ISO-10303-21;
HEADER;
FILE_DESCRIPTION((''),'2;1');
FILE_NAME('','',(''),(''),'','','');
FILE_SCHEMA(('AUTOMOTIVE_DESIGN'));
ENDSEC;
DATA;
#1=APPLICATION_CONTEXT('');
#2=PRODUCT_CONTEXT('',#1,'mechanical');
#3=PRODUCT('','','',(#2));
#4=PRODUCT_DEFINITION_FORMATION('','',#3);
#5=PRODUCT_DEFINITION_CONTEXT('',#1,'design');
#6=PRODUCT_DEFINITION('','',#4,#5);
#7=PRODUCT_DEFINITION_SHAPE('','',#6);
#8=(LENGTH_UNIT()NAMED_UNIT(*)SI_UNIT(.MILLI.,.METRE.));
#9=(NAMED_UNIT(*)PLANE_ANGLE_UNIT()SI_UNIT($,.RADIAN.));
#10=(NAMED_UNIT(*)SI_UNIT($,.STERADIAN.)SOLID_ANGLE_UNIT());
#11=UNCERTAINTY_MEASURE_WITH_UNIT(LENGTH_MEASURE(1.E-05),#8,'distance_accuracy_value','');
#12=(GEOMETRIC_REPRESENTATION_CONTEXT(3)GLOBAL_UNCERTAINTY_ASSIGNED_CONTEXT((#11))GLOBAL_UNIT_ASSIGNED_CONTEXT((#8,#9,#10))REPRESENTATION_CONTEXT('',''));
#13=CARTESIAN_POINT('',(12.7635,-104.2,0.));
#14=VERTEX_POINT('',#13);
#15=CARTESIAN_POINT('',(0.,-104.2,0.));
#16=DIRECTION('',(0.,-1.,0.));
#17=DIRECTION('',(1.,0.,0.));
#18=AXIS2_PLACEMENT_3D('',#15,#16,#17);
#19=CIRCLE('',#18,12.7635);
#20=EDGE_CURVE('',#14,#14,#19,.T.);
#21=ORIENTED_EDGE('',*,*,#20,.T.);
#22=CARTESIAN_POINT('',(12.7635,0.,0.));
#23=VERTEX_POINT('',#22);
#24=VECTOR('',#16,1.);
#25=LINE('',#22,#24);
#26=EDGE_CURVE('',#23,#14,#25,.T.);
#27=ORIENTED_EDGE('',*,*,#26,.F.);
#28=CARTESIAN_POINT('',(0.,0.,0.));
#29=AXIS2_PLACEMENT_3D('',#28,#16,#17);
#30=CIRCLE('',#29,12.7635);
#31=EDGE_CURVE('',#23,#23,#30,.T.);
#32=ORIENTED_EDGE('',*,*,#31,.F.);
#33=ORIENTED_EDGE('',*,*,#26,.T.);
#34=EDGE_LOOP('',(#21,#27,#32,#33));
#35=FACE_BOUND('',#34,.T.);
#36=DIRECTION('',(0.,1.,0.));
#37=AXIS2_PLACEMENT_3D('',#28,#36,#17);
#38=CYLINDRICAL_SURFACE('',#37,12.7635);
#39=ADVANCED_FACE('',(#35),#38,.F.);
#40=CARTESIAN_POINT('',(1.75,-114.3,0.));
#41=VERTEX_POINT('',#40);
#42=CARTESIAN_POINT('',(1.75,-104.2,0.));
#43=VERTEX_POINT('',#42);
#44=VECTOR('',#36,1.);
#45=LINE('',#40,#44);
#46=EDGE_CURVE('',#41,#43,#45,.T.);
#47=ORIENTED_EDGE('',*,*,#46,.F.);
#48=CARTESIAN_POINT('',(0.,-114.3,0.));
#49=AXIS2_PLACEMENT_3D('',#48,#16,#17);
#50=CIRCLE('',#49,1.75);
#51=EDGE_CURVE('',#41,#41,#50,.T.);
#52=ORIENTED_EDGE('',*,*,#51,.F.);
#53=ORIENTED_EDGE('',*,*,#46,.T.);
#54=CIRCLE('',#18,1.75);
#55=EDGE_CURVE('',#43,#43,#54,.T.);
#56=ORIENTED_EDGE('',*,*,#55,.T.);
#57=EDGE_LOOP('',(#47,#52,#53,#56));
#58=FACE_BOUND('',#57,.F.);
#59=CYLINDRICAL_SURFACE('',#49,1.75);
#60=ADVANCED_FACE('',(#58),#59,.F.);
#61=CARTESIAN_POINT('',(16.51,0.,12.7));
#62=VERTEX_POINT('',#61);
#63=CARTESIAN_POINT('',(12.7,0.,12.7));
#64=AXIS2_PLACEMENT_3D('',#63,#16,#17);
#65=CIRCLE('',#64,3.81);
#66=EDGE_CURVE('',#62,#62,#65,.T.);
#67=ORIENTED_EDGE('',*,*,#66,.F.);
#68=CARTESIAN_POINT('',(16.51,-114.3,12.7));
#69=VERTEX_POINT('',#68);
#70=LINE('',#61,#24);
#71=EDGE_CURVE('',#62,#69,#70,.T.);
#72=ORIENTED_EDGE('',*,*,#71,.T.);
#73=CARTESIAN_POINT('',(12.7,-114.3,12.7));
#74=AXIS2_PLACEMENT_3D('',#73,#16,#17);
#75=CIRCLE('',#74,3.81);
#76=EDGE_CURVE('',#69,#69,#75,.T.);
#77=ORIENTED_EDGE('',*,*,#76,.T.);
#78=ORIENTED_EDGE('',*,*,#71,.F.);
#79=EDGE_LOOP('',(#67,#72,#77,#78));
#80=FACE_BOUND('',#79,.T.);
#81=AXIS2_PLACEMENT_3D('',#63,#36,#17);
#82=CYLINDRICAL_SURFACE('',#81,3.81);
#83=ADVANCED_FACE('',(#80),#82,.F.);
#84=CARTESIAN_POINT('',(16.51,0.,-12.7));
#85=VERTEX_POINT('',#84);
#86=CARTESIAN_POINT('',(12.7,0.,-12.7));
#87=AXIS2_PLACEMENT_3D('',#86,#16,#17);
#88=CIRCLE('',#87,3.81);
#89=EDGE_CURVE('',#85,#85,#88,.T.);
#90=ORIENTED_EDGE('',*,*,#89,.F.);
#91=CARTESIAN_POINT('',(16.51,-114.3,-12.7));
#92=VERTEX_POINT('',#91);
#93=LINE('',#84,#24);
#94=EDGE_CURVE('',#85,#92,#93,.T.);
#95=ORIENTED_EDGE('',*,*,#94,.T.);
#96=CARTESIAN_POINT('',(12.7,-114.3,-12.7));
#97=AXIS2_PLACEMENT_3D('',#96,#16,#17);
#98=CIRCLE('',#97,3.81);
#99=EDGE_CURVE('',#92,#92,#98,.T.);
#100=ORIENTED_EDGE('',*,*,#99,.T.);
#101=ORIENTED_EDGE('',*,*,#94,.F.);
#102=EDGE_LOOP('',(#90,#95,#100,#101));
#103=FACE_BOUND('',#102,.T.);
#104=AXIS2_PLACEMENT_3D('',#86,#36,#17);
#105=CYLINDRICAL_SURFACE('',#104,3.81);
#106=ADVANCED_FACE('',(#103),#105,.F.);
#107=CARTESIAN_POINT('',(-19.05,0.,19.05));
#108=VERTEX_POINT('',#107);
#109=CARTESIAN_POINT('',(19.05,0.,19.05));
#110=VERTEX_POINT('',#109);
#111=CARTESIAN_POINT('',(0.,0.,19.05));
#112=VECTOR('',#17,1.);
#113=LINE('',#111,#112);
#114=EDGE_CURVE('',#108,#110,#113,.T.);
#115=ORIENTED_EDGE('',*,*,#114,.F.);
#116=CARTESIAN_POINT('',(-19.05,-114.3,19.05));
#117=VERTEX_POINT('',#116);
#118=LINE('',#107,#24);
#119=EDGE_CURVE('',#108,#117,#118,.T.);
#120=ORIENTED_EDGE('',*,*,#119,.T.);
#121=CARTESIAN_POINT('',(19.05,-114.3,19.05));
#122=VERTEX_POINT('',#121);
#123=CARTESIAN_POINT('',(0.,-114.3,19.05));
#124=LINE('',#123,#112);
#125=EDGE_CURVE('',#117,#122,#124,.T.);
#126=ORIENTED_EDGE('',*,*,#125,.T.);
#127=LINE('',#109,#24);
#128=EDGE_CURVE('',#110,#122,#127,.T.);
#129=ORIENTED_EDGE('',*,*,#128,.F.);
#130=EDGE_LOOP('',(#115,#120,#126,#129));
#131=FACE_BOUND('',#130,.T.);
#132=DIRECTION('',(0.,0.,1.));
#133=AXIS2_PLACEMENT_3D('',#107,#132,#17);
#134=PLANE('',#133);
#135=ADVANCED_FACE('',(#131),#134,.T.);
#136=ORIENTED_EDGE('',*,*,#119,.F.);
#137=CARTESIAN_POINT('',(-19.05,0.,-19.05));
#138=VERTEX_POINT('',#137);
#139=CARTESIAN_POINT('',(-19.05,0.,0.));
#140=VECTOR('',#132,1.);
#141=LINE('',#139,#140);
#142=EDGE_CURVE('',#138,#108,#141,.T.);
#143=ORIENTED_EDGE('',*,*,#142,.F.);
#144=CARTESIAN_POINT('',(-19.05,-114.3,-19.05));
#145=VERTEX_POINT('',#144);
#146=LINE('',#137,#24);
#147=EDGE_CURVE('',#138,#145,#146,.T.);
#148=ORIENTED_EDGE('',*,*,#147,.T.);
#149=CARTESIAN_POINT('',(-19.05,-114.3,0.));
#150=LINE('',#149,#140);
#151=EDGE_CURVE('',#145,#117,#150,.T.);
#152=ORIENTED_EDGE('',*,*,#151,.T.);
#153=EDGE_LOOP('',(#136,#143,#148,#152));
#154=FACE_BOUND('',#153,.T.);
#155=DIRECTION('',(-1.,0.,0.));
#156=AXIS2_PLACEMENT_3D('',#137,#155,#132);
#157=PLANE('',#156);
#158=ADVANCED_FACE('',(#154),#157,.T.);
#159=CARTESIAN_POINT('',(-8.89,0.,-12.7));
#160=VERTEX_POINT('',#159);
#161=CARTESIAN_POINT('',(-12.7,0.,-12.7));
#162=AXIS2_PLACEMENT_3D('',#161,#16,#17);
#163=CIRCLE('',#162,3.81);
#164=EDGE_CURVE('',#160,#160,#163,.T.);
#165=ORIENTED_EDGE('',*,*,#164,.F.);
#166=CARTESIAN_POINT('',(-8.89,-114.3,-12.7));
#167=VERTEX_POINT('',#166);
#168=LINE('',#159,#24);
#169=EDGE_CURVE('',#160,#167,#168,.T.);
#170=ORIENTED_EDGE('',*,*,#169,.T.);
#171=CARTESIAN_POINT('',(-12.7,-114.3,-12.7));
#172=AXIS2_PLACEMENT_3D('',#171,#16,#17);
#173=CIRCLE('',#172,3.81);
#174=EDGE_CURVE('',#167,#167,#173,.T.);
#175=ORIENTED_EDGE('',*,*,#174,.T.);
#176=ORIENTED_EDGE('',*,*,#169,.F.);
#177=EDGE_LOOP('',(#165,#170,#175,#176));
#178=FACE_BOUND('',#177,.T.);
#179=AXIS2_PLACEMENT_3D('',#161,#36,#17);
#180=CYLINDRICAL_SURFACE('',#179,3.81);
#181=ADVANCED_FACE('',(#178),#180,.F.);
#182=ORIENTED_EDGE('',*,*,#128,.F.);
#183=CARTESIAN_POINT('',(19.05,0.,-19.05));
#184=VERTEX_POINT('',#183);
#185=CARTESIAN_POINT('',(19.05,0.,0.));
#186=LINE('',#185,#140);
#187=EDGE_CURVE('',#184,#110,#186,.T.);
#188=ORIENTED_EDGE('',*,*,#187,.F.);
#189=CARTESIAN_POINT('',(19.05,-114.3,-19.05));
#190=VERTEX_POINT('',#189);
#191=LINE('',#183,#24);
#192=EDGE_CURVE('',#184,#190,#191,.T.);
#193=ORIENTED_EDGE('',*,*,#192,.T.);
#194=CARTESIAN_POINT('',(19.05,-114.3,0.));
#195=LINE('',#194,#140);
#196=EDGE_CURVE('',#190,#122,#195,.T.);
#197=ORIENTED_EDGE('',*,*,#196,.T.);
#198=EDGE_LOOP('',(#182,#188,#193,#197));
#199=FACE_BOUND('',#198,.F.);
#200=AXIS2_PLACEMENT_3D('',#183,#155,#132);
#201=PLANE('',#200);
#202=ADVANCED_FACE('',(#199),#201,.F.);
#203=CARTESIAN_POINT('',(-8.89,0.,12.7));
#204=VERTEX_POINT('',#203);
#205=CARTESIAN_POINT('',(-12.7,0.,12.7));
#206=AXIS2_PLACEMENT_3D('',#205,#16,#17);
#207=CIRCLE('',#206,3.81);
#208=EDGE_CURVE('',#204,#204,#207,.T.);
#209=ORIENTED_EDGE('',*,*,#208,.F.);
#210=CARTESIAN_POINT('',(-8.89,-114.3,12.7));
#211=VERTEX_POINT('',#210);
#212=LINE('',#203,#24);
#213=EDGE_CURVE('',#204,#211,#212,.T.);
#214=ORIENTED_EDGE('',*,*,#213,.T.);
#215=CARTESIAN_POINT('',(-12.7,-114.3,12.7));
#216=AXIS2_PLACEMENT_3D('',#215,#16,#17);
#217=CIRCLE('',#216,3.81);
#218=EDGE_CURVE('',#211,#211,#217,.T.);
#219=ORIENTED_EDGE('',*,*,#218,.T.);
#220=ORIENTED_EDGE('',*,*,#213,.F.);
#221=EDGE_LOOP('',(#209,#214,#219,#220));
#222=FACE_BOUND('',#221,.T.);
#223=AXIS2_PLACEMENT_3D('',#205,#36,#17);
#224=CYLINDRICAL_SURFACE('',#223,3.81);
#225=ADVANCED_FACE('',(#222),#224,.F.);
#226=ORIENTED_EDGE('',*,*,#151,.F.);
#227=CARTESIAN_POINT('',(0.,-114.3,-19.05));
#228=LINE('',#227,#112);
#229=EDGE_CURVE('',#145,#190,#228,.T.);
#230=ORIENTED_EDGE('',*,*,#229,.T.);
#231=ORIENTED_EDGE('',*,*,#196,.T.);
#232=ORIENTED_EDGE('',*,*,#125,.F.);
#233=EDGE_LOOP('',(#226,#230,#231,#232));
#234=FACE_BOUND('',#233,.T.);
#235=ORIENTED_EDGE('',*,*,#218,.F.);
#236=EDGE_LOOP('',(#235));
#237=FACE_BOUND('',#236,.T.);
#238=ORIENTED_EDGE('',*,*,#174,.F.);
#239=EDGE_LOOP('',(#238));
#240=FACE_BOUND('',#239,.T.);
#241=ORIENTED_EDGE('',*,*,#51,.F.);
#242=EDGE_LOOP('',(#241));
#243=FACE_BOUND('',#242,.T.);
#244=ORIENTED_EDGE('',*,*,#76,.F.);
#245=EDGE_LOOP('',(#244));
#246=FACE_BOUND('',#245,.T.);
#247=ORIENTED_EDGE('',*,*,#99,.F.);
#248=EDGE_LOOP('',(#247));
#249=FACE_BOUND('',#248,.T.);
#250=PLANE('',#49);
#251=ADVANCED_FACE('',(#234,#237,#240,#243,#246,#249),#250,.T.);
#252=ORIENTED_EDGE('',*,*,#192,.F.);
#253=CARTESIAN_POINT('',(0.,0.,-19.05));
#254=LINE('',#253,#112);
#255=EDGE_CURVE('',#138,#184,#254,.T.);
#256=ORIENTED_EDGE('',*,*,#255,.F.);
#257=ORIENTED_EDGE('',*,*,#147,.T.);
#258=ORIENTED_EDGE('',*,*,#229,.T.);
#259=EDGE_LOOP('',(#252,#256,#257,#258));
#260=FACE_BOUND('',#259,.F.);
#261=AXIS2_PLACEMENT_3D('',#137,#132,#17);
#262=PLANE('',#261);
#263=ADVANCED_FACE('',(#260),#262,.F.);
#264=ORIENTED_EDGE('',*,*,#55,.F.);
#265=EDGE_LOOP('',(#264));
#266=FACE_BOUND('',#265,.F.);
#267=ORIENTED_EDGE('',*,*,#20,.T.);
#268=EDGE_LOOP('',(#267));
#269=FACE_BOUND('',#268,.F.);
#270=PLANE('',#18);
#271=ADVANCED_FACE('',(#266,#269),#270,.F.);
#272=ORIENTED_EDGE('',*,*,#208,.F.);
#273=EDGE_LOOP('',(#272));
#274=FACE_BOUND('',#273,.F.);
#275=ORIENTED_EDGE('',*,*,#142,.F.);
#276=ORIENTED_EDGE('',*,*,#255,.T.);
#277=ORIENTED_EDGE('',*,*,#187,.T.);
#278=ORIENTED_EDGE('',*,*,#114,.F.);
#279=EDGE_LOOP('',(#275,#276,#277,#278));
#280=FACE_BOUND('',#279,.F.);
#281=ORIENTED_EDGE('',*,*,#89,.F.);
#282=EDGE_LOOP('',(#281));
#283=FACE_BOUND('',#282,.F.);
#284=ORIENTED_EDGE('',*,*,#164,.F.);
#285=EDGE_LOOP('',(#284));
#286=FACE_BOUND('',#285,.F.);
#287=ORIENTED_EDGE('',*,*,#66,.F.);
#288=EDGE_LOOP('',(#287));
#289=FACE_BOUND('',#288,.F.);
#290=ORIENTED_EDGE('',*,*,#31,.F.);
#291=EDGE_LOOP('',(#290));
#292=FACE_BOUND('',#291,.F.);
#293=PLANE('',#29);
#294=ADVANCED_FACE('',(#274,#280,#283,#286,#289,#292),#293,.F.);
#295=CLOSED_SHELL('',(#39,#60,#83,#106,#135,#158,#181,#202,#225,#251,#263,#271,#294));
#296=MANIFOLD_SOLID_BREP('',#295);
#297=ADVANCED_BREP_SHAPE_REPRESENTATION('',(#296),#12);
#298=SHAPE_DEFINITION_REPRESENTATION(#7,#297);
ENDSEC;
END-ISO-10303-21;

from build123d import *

# Parameters (mm, degrees)
F0_W     = 38.1
F0_H     = 38.1
F0_R     = 3.81
F0_R_2   = 12.7635
F1_DEPTH = 114.3
F2_R     = 12.7635
F2_R_2   = 1.75
F3_DEPTH = 10.1


with BuildPart() as f1:
    # F0 (on Front) → F1 (new body)
    with BuildSketch(Plane.XZ):
        Rectangle(F0_W, F0_H)
        with Locations((-12.7, -12.7)):
            Circle(F0_R, mode=Mode.SUBTRACT)
        with Locations((12.7, -12.7)):
            Circle(F0_R, mode=Mode.SUBTRACT)
        with Locations((-12.7, 12.7)):
            Circle(F0_R, mode=Mode.SUBTRACT)
        Circle(F0_R_2, mode=Mode.SUBTRACT)
        with Locations((12.7, 12.7)):
            Circle(F0_R, mode=Mode.SUBTRACT)
    extrude(amount=F1_DEPTH)

    # F2 (on face) → F3 (join)
    with BuildSketch(Plane.XZ.offset(114.3)):
        Circle(F2_R)
        Circle(F2_R_2, mode=Mode.SUBTRACT)
    extrude(amount=-F3_DEPTH)


solid = f1.part
